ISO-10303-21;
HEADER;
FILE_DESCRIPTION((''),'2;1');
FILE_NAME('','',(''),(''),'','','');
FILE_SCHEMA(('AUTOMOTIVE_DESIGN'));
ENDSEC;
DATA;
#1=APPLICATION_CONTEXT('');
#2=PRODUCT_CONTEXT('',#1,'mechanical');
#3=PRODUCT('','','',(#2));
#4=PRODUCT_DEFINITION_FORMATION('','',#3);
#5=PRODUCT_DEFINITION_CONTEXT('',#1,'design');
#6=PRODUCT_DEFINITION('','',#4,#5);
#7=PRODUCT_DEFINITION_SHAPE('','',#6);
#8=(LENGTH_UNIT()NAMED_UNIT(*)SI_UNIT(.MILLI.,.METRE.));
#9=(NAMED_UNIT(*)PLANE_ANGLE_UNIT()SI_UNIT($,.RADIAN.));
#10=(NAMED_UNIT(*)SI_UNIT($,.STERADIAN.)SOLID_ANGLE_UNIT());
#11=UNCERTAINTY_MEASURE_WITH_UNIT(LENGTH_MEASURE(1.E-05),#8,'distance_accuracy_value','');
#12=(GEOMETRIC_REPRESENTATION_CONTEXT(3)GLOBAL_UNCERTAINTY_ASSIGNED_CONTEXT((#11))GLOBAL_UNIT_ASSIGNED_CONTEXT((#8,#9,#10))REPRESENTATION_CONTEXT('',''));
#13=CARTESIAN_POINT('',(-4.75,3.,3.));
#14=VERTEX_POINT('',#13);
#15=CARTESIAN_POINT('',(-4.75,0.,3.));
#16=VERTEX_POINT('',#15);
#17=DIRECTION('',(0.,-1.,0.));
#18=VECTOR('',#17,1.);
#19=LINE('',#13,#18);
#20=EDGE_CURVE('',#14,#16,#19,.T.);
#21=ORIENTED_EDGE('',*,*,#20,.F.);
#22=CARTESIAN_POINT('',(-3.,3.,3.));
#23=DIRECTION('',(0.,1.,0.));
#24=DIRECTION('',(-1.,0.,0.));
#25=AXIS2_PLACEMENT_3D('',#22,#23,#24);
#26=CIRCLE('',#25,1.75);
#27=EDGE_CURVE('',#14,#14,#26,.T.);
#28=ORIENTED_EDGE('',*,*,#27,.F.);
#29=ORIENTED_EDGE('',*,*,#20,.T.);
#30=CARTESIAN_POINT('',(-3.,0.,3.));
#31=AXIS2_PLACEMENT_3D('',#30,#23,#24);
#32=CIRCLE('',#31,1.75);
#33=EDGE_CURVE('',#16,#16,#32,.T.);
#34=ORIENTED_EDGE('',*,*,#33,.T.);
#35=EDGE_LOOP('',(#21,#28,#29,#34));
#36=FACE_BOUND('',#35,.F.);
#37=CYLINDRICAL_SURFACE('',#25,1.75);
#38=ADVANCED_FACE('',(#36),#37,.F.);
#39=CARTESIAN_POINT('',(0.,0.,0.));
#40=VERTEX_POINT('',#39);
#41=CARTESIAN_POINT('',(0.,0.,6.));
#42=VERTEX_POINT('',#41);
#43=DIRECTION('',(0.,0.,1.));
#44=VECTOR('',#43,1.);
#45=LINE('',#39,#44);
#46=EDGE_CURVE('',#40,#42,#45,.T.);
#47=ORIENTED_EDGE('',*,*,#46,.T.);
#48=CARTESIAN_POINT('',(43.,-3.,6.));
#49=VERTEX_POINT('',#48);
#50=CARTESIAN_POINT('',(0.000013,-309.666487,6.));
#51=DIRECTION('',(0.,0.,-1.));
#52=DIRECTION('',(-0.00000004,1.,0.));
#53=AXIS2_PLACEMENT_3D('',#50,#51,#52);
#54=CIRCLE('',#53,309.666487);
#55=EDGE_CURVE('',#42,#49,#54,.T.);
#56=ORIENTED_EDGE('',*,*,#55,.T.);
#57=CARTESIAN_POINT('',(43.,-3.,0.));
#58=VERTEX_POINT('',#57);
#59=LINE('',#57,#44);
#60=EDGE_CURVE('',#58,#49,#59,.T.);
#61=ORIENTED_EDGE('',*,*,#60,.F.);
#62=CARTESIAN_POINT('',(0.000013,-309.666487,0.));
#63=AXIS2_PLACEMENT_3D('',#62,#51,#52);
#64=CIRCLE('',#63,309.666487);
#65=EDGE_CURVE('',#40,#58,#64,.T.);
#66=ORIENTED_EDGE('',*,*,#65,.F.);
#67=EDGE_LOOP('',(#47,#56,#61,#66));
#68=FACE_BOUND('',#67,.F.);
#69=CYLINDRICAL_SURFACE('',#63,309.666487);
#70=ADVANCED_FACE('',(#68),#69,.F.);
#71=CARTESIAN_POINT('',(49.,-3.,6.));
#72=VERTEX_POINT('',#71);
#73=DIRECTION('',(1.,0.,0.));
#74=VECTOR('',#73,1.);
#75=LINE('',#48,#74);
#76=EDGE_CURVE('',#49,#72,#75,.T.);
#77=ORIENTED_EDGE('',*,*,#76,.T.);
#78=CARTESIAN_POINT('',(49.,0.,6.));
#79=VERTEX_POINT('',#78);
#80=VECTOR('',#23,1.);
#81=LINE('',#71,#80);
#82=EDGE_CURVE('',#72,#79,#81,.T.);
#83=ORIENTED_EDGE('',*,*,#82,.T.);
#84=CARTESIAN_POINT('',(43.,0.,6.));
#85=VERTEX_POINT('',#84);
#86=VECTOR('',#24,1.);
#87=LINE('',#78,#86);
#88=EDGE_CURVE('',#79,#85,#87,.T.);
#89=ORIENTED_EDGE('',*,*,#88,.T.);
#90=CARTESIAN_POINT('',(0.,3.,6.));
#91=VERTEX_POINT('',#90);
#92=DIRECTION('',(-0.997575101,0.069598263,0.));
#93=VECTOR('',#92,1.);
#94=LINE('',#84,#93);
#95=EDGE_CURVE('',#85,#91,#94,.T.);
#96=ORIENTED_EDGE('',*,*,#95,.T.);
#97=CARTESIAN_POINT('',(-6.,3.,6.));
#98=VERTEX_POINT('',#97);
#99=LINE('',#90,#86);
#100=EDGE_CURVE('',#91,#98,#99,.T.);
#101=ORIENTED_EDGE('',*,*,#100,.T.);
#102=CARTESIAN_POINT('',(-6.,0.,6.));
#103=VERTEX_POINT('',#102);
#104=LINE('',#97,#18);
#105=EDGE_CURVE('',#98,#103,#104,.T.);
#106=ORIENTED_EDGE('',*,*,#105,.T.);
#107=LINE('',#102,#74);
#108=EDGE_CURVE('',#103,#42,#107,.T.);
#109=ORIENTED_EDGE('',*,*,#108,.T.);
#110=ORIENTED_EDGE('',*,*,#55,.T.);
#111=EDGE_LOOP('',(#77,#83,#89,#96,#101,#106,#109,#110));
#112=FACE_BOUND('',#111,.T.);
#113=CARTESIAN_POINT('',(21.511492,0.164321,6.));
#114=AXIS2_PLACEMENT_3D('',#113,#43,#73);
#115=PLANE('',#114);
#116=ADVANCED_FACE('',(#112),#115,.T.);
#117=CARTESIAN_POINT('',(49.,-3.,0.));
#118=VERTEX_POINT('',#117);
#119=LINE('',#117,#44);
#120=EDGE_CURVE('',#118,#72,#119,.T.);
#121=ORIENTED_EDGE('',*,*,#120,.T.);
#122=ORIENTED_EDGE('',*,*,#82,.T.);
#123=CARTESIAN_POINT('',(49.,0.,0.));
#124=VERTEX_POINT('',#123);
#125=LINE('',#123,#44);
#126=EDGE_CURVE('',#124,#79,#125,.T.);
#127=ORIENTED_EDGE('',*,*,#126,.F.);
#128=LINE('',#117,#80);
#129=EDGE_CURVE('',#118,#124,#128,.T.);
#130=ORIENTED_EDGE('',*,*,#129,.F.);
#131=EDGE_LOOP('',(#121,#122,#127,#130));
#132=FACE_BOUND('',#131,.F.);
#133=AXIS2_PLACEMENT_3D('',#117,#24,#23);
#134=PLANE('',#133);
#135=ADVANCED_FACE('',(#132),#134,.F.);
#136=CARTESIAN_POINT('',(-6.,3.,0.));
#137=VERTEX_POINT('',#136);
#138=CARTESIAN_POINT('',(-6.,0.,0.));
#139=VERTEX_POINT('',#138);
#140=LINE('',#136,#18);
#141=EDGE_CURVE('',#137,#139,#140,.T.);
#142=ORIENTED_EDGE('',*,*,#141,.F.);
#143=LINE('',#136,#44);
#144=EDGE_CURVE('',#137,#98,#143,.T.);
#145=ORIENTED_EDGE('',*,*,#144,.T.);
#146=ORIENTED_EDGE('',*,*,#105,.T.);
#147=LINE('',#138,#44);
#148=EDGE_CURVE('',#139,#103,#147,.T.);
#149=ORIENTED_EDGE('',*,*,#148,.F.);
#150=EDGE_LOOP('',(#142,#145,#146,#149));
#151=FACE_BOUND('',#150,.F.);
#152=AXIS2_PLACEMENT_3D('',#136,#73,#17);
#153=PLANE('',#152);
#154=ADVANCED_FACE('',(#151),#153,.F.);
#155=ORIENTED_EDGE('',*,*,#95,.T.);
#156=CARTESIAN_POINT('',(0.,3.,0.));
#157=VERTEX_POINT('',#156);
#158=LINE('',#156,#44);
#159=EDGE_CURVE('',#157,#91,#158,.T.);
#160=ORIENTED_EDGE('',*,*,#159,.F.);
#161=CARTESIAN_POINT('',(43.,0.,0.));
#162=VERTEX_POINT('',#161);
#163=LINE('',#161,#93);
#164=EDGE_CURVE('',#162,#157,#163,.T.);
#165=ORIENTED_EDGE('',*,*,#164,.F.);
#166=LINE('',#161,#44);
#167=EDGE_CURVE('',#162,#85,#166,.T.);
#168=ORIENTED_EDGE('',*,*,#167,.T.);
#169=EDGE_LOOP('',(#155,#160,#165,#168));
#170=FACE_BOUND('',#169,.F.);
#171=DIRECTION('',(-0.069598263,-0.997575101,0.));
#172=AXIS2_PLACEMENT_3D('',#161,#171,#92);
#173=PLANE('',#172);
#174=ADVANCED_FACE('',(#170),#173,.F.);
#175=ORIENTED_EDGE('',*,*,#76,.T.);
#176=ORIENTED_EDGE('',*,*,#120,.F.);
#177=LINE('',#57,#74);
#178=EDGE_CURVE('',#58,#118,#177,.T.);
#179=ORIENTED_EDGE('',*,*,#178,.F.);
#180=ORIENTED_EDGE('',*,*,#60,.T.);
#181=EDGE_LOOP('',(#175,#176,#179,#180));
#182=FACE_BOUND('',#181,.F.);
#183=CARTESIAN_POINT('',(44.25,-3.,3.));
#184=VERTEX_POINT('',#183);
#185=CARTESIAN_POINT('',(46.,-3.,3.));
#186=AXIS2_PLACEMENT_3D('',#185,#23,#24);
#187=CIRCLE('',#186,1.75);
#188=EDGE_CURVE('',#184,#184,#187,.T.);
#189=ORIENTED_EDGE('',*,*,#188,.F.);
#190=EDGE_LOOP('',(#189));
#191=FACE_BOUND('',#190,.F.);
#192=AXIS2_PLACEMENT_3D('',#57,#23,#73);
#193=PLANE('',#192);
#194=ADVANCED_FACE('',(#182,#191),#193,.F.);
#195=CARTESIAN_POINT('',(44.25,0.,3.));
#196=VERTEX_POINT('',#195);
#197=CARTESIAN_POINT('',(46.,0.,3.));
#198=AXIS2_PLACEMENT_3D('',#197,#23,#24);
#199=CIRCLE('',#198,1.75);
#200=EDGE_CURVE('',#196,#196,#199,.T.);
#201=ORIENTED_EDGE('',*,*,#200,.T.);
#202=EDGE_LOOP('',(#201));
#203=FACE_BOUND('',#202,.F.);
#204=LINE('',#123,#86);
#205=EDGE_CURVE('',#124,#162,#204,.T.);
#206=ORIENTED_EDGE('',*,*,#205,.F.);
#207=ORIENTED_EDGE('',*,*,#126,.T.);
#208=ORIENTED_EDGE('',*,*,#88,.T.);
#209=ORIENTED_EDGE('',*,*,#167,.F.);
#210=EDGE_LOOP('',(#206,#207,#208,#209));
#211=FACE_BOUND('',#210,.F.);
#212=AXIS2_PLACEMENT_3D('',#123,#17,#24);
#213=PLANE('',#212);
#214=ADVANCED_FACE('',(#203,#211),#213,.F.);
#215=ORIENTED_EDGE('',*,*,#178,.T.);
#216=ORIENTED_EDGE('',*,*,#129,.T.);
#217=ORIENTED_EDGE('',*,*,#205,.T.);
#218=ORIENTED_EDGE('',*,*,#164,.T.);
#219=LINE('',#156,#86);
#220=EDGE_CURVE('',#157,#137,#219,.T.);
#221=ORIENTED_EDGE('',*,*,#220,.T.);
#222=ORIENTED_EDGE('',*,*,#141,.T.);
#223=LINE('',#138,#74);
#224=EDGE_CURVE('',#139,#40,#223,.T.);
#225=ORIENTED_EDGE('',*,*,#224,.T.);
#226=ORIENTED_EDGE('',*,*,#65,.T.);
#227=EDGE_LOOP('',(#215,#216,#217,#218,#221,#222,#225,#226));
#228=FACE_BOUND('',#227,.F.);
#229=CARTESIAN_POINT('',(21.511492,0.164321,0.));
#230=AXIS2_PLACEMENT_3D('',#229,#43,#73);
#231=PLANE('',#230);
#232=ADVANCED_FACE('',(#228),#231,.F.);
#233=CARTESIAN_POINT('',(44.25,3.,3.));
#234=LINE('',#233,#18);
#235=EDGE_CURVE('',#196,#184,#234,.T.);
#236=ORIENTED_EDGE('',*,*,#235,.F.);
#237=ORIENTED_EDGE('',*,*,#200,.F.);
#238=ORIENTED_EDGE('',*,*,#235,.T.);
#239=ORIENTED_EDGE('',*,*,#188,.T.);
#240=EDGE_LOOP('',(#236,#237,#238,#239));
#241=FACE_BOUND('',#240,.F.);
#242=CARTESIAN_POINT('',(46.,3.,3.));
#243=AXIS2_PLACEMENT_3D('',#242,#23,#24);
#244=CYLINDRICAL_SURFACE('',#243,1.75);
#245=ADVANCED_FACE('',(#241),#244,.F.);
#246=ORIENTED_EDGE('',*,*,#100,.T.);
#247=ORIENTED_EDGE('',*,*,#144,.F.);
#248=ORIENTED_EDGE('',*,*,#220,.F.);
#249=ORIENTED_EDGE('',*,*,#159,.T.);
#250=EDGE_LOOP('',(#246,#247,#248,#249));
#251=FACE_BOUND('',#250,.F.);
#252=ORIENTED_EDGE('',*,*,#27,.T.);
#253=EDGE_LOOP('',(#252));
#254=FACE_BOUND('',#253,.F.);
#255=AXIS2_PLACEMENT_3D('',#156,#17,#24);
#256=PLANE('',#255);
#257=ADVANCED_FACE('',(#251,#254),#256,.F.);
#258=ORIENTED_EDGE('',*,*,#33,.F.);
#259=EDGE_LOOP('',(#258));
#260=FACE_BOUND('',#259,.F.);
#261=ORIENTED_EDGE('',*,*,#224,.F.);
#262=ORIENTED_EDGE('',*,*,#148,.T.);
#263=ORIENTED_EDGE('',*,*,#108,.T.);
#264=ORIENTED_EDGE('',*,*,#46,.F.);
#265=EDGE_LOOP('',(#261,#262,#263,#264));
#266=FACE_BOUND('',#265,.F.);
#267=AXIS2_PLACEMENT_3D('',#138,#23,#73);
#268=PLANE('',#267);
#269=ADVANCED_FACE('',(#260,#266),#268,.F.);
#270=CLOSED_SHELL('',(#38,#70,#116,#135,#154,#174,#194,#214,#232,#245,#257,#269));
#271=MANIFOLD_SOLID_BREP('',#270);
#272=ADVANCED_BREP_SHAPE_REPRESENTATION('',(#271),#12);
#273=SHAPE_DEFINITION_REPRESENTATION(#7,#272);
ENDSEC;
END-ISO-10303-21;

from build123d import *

# Parameters (mm, degrees)
F1_DEPTH = 6
F2_R     = 1.75
F3_DEPTH = 6.001


with BuildPart() as f1:
    # F0 (on Top) → F1 (new body)
    with BuildSketch(Plane.XY):
        with BuildLine():
            ThreePointArc((0, 0), (21.552262, -0.75091), (43, -3))
            Line((43, -3), (49, -3))
            Line((49, -3), (49, 0))
            Line((49, 0), (43, 0))
            Line((43, 0), (0, 3))
            Line((0, 3), (-6, 3))
            Line((-6, 3), (-6, 0))
            Line((-6, 0), (0, 0))
        make_face()
    extrude(amount=F1_DEPTH)

    # F2 (on face) → F3 (cut, through all)
    with BuildSketch(Plane(origin=(0, 3, 0), x_dir=(-1, 0, 0), z_dir=(0, 1, 0))):
        with Locations((3, 3)):
            Circle(F2_R)
        with Locations((-46, 3)):
            Circle(F2_R)
    extrude(amount=-F3_DEPTH, mode=Mode.SUBTRACT)


solid = f1.part
